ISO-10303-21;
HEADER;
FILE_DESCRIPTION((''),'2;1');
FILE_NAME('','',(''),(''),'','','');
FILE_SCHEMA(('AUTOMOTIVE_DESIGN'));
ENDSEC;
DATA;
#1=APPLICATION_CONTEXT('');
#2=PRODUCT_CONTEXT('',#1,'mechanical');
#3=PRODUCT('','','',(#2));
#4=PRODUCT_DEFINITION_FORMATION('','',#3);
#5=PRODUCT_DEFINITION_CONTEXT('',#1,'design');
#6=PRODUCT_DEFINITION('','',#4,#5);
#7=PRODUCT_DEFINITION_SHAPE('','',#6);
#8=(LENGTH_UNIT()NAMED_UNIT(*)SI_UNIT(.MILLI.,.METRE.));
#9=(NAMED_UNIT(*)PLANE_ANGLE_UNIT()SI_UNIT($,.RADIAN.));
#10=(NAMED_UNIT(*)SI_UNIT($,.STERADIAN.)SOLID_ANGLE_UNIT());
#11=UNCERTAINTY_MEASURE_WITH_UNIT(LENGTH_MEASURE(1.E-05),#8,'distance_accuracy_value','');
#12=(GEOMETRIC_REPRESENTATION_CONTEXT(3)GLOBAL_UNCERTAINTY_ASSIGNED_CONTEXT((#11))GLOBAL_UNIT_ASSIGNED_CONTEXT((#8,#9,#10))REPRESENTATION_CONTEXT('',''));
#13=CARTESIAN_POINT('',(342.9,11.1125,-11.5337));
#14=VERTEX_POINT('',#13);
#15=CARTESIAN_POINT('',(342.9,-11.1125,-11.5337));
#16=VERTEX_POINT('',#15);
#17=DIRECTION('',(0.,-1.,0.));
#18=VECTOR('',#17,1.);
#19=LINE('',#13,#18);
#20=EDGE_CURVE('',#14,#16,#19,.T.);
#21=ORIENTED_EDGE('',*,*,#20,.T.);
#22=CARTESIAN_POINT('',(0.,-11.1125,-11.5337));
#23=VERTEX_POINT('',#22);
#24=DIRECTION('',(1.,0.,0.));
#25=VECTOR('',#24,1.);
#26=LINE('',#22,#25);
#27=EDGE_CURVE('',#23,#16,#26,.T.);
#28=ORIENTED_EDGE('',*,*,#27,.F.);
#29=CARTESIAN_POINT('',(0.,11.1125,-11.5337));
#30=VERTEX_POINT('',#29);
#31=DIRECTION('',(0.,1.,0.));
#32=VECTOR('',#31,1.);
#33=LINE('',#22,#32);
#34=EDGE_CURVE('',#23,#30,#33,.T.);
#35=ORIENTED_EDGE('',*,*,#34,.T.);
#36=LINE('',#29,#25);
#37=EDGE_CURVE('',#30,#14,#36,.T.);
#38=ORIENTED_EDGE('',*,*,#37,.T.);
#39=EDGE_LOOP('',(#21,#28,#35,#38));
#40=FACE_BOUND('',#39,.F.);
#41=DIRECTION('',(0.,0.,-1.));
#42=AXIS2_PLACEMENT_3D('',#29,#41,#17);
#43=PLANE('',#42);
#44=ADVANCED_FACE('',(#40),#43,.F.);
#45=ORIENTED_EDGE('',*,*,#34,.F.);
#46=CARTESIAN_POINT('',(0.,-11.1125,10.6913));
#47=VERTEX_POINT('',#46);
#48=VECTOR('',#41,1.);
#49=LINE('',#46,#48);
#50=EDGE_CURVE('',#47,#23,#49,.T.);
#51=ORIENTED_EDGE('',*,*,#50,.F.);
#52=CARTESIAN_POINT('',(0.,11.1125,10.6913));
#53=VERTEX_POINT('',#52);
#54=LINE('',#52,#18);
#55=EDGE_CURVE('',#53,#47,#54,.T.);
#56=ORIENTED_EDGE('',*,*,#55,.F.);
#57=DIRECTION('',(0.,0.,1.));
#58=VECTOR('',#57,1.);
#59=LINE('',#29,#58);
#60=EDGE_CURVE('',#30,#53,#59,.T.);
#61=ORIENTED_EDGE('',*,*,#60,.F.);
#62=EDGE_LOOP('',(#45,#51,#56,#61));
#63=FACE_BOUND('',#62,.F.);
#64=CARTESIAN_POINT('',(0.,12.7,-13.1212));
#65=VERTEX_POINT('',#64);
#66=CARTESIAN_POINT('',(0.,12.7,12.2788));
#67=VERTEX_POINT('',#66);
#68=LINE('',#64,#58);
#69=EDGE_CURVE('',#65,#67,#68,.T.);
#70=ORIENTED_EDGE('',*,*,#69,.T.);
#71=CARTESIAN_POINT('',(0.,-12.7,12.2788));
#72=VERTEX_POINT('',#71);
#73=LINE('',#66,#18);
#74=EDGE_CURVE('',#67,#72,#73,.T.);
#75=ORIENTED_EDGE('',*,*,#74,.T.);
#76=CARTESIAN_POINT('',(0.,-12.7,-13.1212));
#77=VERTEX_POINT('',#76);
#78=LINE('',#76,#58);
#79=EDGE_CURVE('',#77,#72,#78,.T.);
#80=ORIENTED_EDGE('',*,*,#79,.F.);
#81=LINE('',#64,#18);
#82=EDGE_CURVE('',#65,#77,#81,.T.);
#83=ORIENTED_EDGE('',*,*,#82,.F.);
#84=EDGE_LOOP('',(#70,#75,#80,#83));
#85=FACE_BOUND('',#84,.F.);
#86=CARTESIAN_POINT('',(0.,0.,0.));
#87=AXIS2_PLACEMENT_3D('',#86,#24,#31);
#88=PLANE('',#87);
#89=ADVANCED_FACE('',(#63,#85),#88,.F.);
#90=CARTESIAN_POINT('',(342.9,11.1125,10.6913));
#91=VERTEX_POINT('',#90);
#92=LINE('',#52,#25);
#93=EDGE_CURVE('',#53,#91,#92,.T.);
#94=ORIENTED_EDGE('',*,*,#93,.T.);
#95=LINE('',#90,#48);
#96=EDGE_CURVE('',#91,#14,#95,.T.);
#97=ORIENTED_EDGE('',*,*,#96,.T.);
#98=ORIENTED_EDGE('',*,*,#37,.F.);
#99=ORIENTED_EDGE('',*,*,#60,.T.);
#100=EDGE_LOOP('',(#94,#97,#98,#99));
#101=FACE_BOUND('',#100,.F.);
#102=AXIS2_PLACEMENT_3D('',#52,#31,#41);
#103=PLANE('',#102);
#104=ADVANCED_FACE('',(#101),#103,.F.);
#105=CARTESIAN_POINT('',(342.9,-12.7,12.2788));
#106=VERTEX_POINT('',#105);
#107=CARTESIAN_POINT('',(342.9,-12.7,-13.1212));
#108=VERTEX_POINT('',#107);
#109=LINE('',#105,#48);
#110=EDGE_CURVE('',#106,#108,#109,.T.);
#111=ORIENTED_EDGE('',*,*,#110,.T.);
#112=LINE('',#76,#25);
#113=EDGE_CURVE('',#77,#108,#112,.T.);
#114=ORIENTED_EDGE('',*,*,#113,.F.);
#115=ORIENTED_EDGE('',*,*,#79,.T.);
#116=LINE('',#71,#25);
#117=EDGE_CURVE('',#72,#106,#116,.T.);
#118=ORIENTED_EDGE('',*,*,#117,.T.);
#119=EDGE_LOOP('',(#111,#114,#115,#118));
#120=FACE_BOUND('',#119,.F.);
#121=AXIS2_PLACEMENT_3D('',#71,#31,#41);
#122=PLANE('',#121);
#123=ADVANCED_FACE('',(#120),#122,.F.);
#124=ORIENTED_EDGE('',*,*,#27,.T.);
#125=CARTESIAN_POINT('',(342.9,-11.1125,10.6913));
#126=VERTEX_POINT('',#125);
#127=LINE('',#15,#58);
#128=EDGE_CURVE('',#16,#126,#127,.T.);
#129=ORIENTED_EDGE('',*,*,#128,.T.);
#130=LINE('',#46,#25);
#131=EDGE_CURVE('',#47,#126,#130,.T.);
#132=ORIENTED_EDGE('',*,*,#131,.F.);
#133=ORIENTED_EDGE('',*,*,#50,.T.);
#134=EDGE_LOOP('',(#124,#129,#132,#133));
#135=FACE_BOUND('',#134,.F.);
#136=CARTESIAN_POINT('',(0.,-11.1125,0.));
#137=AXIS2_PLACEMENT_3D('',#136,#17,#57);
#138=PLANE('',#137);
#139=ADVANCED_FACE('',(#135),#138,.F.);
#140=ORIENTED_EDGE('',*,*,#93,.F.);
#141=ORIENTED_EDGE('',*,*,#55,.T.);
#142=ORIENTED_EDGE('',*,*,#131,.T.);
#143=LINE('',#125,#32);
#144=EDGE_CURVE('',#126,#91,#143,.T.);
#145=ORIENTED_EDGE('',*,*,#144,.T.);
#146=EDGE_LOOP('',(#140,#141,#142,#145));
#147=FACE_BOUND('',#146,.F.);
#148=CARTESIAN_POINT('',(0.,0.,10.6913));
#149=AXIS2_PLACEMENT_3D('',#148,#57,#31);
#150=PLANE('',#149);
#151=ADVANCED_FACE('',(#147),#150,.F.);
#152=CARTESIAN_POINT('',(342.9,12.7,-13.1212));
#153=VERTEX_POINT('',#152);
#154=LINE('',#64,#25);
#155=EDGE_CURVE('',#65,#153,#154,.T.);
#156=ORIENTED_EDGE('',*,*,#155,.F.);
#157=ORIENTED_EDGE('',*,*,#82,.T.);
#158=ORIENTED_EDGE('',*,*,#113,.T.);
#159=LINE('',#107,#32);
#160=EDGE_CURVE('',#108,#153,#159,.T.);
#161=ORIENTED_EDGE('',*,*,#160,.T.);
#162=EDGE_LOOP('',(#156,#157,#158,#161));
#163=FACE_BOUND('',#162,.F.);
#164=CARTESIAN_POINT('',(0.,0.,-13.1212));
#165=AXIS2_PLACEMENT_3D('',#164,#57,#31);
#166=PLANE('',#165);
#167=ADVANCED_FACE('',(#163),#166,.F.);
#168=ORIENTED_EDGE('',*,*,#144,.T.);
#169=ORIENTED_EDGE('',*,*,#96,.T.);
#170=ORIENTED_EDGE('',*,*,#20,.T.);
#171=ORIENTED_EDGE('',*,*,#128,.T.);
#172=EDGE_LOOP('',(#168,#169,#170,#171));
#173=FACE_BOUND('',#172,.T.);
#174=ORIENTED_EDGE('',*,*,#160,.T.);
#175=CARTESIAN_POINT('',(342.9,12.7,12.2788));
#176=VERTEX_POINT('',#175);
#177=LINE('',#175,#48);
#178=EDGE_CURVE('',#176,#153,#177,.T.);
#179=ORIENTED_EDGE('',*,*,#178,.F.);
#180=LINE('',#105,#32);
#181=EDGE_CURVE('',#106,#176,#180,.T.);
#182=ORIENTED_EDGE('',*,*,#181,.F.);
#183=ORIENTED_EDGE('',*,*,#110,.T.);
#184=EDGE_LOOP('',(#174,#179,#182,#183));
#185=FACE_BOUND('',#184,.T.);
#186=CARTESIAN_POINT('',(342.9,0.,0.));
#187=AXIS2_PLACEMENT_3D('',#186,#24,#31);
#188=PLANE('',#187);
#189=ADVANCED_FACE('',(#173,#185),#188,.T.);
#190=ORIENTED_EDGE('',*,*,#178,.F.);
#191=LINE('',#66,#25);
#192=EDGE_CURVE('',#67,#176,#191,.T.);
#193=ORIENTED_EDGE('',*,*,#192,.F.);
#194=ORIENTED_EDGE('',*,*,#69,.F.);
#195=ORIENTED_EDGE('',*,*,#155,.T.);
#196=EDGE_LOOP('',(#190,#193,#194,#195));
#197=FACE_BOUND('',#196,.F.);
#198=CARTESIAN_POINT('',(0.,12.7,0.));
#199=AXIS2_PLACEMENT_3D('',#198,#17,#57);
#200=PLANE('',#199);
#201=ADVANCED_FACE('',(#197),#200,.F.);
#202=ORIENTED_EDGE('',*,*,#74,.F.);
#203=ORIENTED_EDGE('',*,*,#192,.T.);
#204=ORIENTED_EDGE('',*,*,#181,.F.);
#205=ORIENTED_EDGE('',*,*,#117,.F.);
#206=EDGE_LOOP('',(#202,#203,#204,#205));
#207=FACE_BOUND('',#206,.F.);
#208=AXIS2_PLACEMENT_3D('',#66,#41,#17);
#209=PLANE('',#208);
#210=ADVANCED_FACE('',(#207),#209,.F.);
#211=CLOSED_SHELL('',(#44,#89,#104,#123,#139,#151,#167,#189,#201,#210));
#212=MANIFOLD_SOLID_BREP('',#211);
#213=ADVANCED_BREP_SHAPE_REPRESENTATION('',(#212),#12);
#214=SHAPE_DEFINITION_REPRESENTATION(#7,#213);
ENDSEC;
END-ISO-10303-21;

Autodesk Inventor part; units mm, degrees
ref_plane "YZ Plane" through (0, 0, 0) normal (1, 0, 0) x (0, 1, 0)
ref_plane "XZ Plane" through (0, 0, 0) normal (0, 1, 0) x (-1, 0, 0)
ref_plane "XY Plane" through (0, 0, 0) normal (0, 0, 1) x (1, 0, 0)
sketch "Sketch1" plane through (0, 0, 0) normal (1, 0, 0) x (0, 1, 0)
  line L0 (12.7, 12.2788) -> (-12.7, 12.2788)
  line L1 (-12.7, 12.2788) -> (-12.7, -13.1212)
  line L2 (-12.7, -13.1212) -> (12.7, -13.1212)
  line L3 (12.7, -13.1212) -> (12.7, 12.2788)
  line L4 (0, 32.4321) -> (0, -31.5519)
  line L5 (24.3369, 0) -> (-19.9975, 0)
  line L6 (11.1125, -11.5337) -> (-11.1125, -11.5337)
  line L7 (-11.1125, -11.5337) -> (-11.1125, 10.6913)
  line L8 (-11.1125, 10.6913) -> (11.1125, 10.6913)
  line L9 (11.1125, 10.6913) -> (11.1125, -11.5337)
  point P0 (0, 0)
  dimension "d0" = 25.4
  dimension "d24" = 1.5875
  dimension "d25" = 1.5875
  dimension "d26" = 1.5875
  dimension "d27" = 1.5875
extrude "Extrusion1" add sketch "Sketch1" along normal blind 342.9 contours L3 L5 L9 L8 L4 L0 | L4 L8 L7 L5 L1 L0 | L3 L2 L4 L6 L9 L5 | L5 L7 L6 L4 L2 L1
equation "\"d25\" = d24"
equation "\"d26\" = d24"
equation "\"d27\" = d26"
properties part number "Part1-17-13.31255in" material "Aluminum 6061"
